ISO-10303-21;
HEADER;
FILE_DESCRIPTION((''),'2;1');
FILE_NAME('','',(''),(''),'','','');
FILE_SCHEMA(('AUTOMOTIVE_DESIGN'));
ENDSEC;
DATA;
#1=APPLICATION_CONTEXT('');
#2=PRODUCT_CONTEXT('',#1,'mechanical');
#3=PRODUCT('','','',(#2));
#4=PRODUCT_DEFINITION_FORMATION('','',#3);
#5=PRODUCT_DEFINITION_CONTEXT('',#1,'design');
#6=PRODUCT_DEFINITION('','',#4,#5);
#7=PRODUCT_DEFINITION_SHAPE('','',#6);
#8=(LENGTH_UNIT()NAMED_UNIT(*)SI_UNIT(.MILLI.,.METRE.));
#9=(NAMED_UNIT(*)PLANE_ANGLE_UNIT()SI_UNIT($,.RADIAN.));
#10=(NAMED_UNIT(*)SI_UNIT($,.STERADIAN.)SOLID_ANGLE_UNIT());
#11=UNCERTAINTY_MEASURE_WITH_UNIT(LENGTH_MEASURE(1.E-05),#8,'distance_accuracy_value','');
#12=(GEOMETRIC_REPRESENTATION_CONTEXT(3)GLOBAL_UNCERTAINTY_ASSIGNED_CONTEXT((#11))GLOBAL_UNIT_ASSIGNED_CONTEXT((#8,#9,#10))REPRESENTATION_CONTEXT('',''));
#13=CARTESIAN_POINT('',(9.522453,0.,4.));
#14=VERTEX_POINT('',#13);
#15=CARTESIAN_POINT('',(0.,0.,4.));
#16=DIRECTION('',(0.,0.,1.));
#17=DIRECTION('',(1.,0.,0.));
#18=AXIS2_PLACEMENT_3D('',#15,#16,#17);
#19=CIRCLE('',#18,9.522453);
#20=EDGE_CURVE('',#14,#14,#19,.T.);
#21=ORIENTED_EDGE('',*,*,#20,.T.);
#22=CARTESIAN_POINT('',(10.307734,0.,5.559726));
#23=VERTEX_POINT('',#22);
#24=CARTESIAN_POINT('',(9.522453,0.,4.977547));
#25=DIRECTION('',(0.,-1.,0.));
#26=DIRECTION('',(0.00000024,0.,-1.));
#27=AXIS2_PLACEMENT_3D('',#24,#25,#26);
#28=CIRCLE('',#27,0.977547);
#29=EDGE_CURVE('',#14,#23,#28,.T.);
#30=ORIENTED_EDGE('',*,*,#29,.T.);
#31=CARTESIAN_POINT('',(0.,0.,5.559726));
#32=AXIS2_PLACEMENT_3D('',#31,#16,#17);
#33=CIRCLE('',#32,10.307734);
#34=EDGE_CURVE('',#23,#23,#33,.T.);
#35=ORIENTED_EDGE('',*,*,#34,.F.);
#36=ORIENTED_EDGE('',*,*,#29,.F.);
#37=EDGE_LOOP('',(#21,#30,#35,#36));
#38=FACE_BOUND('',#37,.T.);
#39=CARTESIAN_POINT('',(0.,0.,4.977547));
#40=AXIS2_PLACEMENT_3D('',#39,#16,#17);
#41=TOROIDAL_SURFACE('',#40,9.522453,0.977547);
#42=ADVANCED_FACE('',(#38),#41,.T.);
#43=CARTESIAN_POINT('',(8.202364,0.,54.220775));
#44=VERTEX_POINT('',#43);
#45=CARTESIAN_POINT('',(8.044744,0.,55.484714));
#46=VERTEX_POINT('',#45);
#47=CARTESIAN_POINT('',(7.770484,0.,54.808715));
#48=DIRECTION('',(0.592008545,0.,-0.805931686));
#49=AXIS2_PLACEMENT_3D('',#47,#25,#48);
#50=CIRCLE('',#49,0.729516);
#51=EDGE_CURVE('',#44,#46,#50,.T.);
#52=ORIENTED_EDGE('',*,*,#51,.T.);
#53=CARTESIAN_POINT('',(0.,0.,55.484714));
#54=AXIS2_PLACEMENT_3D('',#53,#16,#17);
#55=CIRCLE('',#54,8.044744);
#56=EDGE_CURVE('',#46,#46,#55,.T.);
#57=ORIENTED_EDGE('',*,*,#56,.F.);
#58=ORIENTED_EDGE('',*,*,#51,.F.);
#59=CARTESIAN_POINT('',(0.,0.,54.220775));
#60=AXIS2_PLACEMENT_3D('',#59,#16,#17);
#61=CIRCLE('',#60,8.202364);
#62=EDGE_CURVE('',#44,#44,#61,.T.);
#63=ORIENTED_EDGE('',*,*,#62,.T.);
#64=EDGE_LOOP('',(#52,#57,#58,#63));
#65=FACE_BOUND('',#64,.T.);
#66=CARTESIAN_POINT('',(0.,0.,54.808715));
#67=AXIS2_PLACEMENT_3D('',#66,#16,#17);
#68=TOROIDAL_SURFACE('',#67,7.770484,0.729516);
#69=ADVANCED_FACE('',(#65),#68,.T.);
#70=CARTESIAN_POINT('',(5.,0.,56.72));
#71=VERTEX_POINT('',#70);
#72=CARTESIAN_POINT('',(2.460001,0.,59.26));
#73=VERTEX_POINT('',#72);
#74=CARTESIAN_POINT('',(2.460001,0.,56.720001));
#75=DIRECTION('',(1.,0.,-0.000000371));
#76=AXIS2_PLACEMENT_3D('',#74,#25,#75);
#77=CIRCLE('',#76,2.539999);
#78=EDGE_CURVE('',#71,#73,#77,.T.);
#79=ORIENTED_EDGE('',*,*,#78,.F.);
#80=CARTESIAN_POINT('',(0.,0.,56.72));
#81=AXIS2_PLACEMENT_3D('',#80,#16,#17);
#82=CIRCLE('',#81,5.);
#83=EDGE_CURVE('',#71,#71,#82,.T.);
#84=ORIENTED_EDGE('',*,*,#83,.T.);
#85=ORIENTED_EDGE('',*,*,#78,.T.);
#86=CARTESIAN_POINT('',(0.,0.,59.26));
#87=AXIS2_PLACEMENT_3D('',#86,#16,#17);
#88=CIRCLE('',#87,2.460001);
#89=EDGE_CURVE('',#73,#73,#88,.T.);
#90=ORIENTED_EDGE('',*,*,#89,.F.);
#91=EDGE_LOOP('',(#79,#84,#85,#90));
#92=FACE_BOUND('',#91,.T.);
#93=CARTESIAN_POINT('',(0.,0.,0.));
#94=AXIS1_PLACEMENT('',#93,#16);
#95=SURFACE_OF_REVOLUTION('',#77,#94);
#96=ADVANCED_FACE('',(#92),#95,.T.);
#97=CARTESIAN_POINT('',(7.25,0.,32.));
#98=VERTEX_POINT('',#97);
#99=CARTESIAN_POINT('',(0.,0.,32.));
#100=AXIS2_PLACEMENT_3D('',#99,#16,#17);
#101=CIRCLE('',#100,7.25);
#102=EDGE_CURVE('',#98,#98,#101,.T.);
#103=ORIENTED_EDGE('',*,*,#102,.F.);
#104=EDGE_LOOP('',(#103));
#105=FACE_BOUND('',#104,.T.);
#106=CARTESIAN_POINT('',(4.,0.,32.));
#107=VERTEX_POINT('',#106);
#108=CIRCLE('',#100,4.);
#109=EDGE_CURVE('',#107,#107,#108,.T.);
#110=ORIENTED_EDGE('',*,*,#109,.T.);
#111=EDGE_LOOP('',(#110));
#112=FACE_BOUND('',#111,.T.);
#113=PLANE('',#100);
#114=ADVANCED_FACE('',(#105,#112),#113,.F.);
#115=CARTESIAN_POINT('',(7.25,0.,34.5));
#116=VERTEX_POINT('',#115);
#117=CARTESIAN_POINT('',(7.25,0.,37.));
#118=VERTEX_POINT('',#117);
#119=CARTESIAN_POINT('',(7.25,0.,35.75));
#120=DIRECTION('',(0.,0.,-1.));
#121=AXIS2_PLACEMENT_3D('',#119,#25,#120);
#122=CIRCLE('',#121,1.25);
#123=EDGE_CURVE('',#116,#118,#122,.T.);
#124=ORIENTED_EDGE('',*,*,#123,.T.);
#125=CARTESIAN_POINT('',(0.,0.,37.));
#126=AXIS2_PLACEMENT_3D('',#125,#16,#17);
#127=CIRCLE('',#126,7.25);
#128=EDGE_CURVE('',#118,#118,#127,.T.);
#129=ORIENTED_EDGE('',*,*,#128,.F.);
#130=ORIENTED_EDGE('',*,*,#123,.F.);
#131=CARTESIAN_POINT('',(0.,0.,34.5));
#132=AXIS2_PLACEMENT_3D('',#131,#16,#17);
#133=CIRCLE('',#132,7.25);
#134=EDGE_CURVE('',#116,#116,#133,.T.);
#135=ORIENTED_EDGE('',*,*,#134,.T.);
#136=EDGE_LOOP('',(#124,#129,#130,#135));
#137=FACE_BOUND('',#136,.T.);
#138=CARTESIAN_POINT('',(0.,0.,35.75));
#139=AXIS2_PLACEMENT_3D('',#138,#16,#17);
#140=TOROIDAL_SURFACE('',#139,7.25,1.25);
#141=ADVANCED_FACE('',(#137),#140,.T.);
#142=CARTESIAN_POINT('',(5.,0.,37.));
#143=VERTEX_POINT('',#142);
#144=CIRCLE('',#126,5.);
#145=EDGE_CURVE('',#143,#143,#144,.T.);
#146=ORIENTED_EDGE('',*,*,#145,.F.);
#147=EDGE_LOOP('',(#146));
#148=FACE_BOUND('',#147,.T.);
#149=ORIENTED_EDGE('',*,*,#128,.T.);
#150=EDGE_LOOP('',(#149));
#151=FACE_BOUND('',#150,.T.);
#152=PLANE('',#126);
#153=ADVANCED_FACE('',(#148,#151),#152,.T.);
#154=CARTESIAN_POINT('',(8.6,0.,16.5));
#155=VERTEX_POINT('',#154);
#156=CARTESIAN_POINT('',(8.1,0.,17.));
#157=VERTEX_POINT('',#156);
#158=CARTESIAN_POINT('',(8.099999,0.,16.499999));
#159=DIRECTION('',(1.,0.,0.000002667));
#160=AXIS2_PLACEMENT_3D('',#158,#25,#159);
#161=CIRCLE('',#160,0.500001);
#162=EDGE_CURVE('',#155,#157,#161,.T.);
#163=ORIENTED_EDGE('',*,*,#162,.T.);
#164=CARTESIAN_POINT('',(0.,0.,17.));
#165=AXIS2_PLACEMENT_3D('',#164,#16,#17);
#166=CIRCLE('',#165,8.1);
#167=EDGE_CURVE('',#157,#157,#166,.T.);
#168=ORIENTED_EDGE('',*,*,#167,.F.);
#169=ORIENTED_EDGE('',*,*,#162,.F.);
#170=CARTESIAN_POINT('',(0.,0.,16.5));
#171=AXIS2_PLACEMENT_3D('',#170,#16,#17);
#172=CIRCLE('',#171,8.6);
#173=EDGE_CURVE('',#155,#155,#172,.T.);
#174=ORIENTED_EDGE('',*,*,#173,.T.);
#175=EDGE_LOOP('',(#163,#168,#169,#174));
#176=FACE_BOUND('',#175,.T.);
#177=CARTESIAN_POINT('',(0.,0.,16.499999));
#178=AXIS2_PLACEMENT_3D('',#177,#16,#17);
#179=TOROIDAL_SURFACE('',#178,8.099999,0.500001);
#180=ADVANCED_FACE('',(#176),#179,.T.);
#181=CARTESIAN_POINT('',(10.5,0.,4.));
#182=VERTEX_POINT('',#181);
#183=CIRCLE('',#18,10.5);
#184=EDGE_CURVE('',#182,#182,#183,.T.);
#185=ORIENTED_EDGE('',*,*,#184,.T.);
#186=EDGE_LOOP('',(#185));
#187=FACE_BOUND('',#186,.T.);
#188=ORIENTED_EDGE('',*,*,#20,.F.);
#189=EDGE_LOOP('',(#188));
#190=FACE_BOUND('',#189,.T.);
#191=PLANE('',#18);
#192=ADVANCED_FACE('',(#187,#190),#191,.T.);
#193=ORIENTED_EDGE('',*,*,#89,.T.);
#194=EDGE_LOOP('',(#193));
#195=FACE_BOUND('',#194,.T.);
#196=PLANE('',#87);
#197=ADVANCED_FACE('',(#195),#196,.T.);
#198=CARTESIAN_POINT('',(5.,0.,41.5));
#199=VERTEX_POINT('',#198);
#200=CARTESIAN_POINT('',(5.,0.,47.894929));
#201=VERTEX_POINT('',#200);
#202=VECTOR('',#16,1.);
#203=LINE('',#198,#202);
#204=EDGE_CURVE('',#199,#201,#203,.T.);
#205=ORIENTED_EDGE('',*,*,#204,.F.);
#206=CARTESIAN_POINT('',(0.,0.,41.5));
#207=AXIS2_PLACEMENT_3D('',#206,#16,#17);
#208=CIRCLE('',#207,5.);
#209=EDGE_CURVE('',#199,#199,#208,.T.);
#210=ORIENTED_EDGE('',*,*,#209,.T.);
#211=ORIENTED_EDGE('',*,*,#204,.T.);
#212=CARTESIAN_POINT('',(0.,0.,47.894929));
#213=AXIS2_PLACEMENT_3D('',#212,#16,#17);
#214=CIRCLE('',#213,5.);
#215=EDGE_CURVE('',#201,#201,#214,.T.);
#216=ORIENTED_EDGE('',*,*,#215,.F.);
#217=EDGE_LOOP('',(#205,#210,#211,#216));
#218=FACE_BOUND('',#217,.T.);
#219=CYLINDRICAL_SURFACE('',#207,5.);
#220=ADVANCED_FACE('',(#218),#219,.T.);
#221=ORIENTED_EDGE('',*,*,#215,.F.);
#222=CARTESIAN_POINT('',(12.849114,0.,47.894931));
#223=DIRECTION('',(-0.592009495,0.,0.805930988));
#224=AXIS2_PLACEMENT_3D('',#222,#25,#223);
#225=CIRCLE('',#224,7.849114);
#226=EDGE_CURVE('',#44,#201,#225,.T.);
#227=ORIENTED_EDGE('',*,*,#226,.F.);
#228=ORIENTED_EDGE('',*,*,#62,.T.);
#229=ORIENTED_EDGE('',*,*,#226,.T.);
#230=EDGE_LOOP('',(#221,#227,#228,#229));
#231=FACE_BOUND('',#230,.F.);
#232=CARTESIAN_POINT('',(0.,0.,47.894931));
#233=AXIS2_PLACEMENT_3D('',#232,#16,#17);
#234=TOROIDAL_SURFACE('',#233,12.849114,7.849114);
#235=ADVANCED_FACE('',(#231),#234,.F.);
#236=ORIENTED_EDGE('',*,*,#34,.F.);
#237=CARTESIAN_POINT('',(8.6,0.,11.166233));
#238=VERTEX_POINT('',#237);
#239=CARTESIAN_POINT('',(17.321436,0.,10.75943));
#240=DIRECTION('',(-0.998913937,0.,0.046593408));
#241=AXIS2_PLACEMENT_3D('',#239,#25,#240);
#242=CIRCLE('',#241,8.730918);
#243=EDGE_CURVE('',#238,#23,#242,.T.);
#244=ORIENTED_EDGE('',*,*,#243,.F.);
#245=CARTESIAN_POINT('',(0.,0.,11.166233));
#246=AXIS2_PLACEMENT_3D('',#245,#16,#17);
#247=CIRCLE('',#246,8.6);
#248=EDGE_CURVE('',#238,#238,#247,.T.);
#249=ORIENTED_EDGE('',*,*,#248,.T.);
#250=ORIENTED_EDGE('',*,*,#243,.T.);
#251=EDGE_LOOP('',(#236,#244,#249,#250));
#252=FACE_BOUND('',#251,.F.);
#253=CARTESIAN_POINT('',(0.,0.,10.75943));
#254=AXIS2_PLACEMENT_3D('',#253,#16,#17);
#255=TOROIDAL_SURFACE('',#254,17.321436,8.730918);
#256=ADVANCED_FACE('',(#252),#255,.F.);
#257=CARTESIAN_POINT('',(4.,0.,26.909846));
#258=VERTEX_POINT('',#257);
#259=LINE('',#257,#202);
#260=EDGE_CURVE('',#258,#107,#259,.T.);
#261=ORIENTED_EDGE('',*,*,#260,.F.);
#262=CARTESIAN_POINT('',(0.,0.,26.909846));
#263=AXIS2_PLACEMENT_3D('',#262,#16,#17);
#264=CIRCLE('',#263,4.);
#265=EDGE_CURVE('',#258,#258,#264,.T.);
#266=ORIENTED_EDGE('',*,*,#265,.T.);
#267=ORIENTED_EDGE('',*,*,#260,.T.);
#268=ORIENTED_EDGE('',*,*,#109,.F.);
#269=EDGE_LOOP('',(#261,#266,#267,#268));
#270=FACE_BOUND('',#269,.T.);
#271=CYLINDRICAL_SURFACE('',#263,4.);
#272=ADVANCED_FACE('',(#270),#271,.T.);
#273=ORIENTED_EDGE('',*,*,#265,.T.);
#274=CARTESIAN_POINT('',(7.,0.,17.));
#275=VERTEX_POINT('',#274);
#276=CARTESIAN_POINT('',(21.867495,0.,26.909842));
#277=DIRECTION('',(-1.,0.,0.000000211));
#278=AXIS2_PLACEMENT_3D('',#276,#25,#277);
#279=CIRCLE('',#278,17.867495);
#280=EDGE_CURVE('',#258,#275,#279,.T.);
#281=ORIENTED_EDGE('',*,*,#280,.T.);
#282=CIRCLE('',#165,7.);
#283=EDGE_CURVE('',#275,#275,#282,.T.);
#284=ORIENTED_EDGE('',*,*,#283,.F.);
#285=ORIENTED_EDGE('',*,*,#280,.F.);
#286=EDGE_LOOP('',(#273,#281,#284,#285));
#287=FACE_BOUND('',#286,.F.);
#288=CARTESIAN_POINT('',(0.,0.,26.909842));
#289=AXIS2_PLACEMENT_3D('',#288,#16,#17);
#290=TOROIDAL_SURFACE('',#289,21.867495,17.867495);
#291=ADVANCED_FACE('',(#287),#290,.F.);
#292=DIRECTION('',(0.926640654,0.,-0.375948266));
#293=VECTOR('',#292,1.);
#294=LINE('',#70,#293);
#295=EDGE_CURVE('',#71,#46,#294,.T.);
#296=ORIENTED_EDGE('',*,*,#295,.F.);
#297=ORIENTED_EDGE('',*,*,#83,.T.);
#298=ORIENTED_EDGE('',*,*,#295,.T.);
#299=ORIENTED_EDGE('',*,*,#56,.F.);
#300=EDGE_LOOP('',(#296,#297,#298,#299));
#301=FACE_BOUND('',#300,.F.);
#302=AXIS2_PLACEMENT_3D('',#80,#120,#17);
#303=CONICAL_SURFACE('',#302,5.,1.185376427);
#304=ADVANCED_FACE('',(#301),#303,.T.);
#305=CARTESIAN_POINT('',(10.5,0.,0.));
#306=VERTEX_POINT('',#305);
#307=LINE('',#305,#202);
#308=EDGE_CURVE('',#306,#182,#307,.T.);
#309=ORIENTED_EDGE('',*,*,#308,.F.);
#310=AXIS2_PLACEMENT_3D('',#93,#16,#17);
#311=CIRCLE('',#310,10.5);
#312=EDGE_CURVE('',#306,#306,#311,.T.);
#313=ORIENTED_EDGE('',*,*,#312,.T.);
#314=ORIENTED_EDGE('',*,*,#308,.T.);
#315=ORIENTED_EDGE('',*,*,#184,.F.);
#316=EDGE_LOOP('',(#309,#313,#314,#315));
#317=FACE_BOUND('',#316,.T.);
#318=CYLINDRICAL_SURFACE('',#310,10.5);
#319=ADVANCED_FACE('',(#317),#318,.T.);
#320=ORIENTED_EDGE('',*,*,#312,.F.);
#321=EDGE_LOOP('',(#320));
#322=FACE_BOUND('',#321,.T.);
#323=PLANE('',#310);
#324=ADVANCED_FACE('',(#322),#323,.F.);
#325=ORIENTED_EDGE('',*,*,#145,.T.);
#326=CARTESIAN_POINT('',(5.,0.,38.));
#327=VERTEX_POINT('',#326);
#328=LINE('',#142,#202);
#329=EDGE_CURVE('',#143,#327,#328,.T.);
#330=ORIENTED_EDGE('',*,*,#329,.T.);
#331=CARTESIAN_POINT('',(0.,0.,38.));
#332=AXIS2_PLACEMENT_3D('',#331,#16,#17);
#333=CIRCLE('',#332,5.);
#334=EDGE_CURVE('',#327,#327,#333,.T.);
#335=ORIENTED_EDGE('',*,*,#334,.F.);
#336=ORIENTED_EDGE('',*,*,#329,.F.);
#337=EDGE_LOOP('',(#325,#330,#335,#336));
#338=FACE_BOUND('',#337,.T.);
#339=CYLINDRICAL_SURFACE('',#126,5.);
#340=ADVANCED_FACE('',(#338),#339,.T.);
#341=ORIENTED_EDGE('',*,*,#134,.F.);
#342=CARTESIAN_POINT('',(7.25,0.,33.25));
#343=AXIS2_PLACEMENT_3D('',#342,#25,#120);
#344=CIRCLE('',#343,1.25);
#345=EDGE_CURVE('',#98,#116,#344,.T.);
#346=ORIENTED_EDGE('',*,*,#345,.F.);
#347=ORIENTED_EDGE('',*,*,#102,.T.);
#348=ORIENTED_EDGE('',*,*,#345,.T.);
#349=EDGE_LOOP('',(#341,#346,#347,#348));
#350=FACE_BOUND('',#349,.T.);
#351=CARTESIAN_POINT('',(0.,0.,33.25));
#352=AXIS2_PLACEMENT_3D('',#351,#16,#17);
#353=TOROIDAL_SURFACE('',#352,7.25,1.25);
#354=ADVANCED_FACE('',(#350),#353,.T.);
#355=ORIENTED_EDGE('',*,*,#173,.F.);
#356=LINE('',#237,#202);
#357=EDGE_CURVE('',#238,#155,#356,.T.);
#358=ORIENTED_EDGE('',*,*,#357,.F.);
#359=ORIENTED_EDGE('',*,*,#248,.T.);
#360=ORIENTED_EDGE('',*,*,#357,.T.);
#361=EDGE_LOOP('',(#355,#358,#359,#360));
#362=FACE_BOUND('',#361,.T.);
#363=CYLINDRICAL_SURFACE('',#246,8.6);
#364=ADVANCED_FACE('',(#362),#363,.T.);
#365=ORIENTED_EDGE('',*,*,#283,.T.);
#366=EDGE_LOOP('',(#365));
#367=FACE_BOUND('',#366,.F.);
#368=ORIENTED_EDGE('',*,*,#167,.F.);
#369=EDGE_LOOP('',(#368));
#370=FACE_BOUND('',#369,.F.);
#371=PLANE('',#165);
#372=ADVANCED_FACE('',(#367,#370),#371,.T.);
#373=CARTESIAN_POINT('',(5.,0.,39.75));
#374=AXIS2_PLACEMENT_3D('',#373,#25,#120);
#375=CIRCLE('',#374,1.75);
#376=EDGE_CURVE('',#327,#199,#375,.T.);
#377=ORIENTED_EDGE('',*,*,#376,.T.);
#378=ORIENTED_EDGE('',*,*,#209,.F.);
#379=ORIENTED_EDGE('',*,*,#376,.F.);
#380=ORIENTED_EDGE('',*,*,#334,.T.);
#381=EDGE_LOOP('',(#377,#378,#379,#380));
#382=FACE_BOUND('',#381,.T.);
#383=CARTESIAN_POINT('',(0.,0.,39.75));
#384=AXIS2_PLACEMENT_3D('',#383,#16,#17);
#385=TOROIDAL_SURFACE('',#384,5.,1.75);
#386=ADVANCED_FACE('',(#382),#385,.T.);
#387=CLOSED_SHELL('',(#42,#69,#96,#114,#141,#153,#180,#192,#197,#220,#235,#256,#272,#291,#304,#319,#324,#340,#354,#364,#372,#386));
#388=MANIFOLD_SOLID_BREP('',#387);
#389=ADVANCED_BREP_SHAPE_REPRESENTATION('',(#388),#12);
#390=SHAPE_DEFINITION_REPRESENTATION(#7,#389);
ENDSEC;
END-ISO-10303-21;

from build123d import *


with BuildPart() as part:
    # Sketch → Revolution (revolve)
    with BuildSketch(Plane.XZ):
        with BuildLine():
            Line((0, 0), (10.5, 0))
            Line((10.5, 0), (10.5, 4))
            Line((10.5, 4), (9.522453, 4))
            ThreePointArc((9.522453, 4), (10.395581, 4.53795), (10.307734, 5.559726))
            ThreePointArc((8.6, 11.166233), (8.969378, 8.215405), (10.307734, 5.559726))
            Line((8.6, 11.166233), (8.6, 16.5))
            ThreePointArc((8.6, 16.5), (8.453553, 16.853553), (8.1, 17))
            Line((7, 17), (8.1, 17))
            ThreePointArc((4, 26.909846), (4.766438, 21.732852), (7, 17))
            Line((4, 26.909846), (4, 32))
            Line((4, 32), (7.25, 32))
            ThreePointArc((7.25, 32), (8.5, 33.25), (7.25, 34.5))
            ThreePointArc((7.25, 34.5), (8.5, 35.75), (7.25, 37))
            Line((7.25, 37), (5, 37))
            Line((5, 37), (5, 38))
            ThreePointArc((5, 38), (6.75, 39.75), (5, 41.5))
            Line((5, 41.5), (5, 47.894929))
            ThreePointArc((8.202364, 54.220775), (5.846205, 51.440048), (5, 47.894929))
            ThreePointArc((8.202364, 54.220775), (8.494393, 54.89899), (8.044744, 55.484714))
            Line((5, 56.72), (8.044744, 55.484714))
            ThreePointArc((5, 56.72), (4.256052, 58.516051), (2.460001, 59.26))
            Line((2.460001, 59.26), (0, 59.26))
            Line((0, 59.26), (0, 0))
        make_face()
    revolve(axis=Axis((0, 0, 0), (0, 0, 1)))


solid = part.part
